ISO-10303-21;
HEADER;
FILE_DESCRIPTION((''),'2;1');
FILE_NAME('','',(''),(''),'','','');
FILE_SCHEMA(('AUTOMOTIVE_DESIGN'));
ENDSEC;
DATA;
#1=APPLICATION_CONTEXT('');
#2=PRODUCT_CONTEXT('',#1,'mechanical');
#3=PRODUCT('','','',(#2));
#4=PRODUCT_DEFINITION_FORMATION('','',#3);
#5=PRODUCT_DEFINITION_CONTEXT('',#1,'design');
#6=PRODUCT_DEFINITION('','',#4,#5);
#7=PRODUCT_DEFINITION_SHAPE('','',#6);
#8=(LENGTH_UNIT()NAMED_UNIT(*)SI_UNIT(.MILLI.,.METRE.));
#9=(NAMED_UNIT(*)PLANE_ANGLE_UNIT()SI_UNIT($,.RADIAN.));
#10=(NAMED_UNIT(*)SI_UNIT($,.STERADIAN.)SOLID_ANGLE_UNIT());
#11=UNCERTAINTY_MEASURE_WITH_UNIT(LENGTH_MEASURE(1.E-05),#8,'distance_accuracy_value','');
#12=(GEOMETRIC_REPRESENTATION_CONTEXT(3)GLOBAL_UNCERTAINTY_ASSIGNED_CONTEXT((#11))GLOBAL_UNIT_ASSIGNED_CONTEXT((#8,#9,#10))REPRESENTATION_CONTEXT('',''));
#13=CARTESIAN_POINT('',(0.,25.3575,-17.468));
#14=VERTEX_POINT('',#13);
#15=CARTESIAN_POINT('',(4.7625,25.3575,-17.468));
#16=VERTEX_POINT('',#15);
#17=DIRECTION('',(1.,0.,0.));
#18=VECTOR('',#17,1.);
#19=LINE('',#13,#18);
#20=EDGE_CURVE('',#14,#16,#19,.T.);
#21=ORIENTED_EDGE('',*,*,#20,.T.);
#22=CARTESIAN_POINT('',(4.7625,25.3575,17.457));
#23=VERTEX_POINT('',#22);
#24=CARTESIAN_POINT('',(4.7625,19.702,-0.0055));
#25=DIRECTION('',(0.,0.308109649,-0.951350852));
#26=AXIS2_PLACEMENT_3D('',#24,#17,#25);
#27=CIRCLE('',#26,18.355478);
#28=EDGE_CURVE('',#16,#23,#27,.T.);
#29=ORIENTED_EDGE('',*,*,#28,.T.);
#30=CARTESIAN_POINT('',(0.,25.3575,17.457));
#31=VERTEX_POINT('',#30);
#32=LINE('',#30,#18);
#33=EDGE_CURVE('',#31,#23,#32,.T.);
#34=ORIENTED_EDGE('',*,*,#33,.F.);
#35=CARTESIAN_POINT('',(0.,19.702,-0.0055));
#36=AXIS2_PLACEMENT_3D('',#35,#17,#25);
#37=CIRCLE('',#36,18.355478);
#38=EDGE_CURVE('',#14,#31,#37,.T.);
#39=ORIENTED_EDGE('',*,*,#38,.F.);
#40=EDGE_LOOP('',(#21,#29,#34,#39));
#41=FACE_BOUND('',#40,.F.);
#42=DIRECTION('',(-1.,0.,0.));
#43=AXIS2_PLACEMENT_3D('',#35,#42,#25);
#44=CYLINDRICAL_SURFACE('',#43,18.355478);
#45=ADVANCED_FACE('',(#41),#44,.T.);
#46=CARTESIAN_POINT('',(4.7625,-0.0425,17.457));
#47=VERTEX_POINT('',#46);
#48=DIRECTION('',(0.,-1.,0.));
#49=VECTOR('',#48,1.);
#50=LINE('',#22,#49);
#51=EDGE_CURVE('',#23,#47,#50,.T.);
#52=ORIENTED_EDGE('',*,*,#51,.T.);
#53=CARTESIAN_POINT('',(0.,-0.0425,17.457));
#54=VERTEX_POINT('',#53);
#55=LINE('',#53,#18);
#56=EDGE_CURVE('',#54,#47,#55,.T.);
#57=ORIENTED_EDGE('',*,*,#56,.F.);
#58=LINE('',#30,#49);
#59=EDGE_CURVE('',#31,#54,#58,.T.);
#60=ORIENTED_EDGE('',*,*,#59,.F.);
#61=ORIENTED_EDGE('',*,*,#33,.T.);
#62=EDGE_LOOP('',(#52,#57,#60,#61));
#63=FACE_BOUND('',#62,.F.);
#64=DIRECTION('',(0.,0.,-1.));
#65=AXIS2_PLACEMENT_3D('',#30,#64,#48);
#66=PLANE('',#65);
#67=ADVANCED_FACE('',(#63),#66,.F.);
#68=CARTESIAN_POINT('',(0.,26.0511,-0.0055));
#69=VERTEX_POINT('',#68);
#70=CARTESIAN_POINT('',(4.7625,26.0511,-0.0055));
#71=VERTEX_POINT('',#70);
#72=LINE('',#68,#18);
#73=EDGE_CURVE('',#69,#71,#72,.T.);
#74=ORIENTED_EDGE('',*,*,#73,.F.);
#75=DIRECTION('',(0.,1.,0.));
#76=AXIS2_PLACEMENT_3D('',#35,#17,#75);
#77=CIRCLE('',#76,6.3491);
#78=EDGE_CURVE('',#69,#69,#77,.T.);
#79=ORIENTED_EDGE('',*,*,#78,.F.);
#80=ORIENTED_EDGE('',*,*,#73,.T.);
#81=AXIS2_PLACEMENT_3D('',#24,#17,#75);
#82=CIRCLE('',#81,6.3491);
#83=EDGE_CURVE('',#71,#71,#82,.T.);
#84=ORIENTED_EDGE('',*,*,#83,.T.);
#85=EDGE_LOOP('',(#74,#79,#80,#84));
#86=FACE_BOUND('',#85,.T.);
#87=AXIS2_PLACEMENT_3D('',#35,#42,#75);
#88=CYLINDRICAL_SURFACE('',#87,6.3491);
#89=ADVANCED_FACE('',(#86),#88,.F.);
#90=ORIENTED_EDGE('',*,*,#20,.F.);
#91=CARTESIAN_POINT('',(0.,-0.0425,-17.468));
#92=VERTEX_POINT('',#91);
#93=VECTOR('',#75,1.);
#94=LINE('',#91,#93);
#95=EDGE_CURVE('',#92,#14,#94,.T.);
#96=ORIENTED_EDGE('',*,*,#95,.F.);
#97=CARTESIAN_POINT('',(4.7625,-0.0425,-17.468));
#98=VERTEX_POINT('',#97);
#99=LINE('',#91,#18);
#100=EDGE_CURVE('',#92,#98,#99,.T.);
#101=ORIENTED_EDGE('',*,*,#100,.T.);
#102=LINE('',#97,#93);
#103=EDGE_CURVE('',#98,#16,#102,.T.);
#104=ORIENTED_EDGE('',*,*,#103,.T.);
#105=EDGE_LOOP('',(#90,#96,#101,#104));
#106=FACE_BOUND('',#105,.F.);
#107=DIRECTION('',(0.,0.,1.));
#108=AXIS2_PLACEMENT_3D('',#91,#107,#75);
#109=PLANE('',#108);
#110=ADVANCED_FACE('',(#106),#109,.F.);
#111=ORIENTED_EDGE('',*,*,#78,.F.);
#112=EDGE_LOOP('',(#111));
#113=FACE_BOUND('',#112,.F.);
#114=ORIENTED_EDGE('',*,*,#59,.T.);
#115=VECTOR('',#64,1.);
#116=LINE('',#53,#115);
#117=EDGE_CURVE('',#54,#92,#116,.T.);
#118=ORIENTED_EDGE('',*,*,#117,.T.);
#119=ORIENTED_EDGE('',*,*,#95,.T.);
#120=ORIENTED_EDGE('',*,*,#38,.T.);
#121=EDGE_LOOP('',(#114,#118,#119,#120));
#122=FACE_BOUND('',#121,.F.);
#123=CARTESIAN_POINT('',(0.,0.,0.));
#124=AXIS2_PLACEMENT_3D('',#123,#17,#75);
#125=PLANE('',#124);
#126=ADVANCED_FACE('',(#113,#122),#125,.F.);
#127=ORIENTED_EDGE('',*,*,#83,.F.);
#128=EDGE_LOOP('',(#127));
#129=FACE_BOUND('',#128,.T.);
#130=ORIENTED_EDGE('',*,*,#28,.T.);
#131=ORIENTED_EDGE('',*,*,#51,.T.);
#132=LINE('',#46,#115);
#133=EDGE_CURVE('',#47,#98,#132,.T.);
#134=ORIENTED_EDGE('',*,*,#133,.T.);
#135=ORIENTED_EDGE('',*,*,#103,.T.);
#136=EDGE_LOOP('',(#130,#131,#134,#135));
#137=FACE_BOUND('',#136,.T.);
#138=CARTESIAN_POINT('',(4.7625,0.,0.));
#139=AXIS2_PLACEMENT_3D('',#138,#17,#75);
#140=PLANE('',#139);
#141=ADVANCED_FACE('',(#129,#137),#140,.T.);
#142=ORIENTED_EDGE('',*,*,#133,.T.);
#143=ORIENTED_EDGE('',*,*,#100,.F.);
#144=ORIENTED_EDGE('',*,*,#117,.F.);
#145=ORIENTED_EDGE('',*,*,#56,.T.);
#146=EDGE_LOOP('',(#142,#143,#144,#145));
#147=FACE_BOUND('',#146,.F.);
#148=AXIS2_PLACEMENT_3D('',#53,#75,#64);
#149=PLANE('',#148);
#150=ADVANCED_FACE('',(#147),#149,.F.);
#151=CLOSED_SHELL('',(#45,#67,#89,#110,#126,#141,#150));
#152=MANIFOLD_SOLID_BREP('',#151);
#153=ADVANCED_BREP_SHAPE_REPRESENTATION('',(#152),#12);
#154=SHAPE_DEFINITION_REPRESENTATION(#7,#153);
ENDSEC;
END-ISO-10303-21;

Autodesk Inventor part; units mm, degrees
ref_plane "YZ Plane" through (0, 0, 0) normal (1, 0, 0) x (0, 1, 0)
ref_plane "XZ Plane" through (0, 0, 0) normal (0, 1, 0) x (-1, 0, 0)
ref_plane "XY Plane" through (0, 0, 0) normal (0, 0, 1) x (1, 0, 0)
sketch "Sketch1" plane through (0, 0, 0) normal (1, 0, 0) x (0, 1, 0)
  line L0 (25.3575, 17.457) -> (-0.0425, 17.457)
  line L1 (-0.0425, 17.457) -> (-0.0425, -17.468)
  line L2 (-0.0425, -17.468) -> (25.3575, -17.468)
  arc A0 (25.3575, -17.468) -> (25.3575, 17.457) centre (19.702, -0.0055) ccw
  circle A1 centre (19.702, -0.0055) radius 6.3491
  dimension "d1" = 34.925
extrude "Extrusion1" add sketch "Sketch1" along normal blind 4.7625
properties part number "side"
